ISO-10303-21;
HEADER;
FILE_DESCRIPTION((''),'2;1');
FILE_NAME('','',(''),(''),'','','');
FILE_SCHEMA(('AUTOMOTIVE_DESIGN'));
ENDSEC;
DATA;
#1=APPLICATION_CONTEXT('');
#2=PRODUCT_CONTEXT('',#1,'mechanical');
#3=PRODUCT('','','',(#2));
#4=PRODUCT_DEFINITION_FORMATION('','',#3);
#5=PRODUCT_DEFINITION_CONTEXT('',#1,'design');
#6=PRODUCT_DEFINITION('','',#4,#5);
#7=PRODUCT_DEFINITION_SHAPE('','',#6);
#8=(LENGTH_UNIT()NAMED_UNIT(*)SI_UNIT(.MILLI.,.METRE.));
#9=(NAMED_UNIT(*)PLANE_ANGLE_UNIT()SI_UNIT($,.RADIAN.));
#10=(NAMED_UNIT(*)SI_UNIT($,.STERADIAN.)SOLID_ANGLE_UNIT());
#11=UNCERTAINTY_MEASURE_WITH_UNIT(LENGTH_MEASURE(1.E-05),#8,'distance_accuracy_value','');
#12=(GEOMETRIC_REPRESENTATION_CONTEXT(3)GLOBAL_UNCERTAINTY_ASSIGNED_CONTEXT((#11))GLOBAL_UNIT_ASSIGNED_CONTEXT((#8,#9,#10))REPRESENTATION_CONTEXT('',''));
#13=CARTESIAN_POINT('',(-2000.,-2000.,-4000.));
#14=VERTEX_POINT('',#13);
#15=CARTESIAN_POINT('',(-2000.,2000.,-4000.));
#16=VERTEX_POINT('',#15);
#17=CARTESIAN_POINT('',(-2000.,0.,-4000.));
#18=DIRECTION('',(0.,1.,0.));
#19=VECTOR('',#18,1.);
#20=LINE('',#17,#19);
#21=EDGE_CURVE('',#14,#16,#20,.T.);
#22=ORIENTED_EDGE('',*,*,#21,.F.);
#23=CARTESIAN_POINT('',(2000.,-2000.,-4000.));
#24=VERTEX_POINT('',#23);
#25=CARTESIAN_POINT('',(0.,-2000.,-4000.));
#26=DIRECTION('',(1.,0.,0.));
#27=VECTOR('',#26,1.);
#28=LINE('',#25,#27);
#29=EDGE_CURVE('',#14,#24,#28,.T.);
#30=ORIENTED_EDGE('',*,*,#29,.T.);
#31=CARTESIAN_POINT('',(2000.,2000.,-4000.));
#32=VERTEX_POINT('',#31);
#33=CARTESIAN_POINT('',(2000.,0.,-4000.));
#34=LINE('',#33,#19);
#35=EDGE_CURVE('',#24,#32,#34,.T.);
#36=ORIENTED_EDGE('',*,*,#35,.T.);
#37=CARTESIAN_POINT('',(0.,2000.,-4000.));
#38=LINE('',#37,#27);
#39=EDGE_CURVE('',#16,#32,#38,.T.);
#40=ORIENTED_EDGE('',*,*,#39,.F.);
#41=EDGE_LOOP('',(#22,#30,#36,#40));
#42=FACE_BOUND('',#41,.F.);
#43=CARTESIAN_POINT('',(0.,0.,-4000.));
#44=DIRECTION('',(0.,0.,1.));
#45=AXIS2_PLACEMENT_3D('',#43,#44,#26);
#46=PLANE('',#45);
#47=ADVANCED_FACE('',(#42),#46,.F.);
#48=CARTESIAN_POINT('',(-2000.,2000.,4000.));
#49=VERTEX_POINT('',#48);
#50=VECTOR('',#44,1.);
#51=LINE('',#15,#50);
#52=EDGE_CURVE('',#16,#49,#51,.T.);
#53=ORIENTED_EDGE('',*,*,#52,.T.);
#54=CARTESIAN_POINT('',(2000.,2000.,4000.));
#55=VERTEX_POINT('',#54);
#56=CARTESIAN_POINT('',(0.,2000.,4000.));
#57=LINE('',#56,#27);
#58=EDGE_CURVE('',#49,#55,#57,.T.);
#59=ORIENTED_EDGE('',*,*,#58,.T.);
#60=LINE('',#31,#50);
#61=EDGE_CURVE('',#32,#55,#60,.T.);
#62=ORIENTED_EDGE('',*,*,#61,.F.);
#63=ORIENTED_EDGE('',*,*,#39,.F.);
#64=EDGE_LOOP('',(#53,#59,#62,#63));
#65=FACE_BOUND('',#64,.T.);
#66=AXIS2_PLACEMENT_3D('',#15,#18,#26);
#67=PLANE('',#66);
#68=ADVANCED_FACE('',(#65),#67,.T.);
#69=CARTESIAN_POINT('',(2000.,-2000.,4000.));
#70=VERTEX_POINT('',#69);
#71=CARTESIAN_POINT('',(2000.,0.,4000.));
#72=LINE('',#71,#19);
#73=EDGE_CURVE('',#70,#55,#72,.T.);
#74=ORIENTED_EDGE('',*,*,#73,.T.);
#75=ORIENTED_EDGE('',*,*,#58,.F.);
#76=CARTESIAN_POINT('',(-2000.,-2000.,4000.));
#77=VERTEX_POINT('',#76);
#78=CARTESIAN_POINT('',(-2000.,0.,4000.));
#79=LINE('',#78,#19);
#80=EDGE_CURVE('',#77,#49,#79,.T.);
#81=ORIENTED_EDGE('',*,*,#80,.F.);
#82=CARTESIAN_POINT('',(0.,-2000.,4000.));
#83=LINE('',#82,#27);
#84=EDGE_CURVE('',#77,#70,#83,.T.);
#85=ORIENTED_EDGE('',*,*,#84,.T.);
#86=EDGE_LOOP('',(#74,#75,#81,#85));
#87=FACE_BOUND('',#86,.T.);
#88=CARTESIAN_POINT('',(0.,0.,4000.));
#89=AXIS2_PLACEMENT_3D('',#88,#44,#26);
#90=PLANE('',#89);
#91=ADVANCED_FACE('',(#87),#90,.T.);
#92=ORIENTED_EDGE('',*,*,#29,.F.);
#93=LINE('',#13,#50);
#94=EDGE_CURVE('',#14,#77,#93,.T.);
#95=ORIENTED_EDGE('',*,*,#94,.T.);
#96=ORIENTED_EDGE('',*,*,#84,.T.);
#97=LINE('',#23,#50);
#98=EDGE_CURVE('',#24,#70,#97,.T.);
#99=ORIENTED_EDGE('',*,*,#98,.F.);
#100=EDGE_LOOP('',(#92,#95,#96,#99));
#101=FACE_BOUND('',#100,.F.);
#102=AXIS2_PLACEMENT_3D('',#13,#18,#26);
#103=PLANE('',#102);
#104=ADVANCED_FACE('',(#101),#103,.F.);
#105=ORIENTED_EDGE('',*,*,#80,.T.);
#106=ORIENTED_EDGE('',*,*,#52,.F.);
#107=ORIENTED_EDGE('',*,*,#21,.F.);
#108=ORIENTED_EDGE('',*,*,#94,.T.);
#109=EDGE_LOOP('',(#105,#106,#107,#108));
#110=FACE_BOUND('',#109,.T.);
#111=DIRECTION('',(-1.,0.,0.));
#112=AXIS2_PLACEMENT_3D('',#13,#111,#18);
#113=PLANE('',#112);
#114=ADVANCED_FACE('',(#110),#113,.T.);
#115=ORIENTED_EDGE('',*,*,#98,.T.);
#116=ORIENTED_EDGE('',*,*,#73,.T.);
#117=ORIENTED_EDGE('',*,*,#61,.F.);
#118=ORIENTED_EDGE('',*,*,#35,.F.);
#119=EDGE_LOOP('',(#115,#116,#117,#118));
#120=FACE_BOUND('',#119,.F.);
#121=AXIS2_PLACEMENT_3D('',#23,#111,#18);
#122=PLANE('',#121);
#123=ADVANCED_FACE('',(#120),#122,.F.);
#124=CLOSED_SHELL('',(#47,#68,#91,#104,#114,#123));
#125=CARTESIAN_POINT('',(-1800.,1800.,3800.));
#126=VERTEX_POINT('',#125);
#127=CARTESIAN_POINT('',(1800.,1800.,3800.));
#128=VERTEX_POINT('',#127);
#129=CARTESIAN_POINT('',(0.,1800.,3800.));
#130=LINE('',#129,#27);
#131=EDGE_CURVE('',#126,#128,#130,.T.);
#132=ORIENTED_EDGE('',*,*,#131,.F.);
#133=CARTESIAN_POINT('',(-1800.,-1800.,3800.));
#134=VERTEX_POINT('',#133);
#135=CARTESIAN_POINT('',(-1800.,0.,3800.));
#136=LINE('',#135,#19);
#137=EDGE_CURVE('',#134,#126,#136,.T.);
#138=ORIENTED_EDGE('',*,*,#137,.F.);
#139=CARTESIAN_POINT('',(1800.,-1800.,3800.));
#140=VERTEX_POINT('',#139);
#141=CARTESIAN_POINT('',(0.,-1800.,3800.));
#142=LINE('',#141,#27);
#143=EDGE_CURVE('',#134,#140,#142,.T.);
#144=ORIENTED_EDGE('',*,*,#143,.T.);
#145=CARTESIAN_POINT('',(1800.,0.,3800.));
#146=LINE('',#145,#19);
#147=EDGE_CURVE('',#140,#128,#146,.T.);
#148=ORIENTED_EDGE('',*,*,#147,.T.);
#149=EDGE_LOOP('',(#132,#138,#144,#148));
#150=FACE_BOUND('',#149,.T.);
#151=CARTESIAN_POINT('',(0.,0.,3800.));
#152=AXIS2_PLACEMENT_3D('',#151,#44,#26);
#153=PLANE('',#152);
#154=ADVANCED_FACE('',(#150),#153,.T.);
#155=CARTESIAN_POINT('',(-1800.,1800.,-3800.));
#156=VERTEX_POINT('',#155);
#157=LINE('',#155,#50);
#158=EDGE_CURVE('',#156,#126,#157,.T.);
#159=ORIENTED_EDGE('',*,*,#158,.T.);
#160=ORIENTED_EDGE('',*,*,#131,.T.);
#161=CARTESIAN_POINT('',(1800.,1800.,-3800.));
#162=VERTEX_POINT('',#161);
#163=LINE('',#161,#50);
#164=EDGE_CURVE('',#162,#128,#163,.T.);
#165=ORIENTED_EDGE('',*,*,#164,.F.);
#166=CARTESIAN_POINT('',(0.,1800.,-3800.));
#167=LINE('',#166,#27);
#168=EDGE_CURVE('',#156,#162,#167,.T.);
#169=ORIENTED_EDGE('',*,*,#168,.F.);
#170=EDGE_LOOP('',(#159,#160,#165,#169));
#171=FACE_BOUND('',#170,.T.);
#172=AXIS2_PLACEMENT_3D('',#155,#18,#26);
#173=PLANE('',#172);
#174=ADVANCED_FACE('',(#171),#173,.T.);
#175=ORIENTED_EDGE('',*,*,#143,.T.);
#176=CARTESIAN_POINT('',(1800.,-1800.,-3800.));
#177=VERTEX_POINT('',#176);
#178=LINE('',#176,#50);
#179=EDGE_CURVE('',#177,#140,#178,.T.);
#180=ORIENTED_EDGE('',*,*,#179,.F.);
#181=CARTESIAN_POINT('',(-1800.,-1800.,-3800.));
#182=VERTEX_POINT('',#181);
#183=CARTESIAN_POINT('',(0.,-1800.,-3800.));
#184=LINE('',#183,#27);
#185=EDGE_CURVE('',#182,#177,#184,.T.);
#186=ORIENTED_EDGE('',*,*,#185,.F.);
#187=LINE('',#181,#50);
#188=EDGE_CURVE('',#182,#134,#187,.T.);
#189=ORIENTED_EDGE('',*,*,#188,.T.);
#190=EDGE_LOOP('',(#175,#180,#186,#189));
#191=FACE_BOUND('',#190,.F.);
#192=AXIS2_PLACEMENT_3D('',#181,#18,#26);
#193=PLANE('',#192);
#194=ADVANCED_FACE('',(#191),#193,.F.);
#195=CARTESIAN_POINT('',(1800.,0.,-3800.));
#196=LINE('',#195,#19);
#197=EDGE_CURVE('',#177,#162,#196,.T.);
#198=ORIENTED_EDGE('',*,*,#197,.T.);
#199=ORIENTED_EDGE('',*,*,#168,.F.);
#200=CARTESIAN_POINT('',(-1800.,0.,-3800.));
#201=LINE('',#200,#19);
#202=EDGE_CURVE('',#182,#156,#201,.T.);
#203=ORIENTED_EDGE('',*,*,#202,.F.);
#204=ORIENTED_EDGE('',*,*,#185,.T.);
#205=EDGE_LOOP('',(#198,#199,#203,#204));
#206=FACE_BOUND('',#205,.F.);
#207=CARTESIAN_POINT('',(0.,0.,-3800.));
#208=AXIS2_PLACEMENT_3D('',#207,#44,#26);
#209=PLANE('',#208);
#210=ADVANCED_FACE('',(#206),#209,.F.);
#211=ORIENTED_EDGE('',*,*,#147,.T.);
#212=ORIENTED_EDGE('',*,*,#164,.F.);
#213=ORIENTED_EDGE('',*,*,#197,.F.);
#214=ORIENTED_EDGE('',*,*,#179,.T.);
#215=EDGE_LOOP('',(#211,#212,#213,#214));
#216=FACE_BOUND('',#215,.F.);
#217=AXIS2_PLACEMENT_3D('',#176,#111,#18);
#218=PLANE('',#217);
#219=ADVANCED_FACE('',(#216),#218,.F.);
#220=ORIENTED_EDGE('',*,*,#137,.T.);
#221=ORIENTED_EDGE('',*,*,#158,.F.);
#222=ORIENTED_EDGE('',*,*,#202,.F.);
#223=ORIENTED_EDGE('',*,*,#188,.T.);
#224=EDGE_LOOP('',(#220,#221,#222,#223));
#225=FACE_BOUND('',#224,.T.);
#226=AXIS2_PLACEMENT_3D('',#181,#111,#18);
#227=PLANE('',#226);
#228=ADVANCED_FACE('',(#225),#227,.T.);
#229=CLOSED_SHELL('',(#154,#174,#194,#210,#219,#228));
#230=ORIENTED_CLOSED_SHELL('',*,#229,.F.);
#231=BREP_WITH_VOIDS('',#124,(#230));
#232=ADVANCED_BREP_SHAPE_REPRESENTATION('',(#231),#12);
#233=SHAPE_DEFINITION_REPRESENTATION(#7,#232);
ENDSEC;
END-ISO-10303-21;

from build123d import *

# Parameters (mm, degrees)
BOX013_W     = 3600
BOX013_H     = 3600
BOX013_DEPTH = 7600
BOX012_W     = 4000
BOX012_H     = 4000
BOX012_DEPTH = 8000


with BuildPart() as cube012:
    # Box013 → Box013 (new body)
    with BuildSketch(Plane(origin=(-1800, -1800, -3800), x_dir=(1, 0, 0), z_dir=(0, 0, 1))):
        with Locations((1800, 1800)):
            Rectangle(BOX013_W, BOX013_H)
    extrude(amount=BOX013_DEPTH)


with BuildPart() as phantom:
    # Box012 → Box012 (new body)
    with BuildSketch(Plane(origin=(-2000, -2000, -4000), x_dir=(1, 0, 0), z_dir=(0, 0, 1))):
        with Locations((2000, 2000)):
            Rectangle(BOX012_W, BOX012_H)
    extrude(amount=BOX012_DEPTH)

    # Cut006: cut Cube012
    add(cube012.part, mode=Mode.SUBTRACT)


solid = phantom.part
